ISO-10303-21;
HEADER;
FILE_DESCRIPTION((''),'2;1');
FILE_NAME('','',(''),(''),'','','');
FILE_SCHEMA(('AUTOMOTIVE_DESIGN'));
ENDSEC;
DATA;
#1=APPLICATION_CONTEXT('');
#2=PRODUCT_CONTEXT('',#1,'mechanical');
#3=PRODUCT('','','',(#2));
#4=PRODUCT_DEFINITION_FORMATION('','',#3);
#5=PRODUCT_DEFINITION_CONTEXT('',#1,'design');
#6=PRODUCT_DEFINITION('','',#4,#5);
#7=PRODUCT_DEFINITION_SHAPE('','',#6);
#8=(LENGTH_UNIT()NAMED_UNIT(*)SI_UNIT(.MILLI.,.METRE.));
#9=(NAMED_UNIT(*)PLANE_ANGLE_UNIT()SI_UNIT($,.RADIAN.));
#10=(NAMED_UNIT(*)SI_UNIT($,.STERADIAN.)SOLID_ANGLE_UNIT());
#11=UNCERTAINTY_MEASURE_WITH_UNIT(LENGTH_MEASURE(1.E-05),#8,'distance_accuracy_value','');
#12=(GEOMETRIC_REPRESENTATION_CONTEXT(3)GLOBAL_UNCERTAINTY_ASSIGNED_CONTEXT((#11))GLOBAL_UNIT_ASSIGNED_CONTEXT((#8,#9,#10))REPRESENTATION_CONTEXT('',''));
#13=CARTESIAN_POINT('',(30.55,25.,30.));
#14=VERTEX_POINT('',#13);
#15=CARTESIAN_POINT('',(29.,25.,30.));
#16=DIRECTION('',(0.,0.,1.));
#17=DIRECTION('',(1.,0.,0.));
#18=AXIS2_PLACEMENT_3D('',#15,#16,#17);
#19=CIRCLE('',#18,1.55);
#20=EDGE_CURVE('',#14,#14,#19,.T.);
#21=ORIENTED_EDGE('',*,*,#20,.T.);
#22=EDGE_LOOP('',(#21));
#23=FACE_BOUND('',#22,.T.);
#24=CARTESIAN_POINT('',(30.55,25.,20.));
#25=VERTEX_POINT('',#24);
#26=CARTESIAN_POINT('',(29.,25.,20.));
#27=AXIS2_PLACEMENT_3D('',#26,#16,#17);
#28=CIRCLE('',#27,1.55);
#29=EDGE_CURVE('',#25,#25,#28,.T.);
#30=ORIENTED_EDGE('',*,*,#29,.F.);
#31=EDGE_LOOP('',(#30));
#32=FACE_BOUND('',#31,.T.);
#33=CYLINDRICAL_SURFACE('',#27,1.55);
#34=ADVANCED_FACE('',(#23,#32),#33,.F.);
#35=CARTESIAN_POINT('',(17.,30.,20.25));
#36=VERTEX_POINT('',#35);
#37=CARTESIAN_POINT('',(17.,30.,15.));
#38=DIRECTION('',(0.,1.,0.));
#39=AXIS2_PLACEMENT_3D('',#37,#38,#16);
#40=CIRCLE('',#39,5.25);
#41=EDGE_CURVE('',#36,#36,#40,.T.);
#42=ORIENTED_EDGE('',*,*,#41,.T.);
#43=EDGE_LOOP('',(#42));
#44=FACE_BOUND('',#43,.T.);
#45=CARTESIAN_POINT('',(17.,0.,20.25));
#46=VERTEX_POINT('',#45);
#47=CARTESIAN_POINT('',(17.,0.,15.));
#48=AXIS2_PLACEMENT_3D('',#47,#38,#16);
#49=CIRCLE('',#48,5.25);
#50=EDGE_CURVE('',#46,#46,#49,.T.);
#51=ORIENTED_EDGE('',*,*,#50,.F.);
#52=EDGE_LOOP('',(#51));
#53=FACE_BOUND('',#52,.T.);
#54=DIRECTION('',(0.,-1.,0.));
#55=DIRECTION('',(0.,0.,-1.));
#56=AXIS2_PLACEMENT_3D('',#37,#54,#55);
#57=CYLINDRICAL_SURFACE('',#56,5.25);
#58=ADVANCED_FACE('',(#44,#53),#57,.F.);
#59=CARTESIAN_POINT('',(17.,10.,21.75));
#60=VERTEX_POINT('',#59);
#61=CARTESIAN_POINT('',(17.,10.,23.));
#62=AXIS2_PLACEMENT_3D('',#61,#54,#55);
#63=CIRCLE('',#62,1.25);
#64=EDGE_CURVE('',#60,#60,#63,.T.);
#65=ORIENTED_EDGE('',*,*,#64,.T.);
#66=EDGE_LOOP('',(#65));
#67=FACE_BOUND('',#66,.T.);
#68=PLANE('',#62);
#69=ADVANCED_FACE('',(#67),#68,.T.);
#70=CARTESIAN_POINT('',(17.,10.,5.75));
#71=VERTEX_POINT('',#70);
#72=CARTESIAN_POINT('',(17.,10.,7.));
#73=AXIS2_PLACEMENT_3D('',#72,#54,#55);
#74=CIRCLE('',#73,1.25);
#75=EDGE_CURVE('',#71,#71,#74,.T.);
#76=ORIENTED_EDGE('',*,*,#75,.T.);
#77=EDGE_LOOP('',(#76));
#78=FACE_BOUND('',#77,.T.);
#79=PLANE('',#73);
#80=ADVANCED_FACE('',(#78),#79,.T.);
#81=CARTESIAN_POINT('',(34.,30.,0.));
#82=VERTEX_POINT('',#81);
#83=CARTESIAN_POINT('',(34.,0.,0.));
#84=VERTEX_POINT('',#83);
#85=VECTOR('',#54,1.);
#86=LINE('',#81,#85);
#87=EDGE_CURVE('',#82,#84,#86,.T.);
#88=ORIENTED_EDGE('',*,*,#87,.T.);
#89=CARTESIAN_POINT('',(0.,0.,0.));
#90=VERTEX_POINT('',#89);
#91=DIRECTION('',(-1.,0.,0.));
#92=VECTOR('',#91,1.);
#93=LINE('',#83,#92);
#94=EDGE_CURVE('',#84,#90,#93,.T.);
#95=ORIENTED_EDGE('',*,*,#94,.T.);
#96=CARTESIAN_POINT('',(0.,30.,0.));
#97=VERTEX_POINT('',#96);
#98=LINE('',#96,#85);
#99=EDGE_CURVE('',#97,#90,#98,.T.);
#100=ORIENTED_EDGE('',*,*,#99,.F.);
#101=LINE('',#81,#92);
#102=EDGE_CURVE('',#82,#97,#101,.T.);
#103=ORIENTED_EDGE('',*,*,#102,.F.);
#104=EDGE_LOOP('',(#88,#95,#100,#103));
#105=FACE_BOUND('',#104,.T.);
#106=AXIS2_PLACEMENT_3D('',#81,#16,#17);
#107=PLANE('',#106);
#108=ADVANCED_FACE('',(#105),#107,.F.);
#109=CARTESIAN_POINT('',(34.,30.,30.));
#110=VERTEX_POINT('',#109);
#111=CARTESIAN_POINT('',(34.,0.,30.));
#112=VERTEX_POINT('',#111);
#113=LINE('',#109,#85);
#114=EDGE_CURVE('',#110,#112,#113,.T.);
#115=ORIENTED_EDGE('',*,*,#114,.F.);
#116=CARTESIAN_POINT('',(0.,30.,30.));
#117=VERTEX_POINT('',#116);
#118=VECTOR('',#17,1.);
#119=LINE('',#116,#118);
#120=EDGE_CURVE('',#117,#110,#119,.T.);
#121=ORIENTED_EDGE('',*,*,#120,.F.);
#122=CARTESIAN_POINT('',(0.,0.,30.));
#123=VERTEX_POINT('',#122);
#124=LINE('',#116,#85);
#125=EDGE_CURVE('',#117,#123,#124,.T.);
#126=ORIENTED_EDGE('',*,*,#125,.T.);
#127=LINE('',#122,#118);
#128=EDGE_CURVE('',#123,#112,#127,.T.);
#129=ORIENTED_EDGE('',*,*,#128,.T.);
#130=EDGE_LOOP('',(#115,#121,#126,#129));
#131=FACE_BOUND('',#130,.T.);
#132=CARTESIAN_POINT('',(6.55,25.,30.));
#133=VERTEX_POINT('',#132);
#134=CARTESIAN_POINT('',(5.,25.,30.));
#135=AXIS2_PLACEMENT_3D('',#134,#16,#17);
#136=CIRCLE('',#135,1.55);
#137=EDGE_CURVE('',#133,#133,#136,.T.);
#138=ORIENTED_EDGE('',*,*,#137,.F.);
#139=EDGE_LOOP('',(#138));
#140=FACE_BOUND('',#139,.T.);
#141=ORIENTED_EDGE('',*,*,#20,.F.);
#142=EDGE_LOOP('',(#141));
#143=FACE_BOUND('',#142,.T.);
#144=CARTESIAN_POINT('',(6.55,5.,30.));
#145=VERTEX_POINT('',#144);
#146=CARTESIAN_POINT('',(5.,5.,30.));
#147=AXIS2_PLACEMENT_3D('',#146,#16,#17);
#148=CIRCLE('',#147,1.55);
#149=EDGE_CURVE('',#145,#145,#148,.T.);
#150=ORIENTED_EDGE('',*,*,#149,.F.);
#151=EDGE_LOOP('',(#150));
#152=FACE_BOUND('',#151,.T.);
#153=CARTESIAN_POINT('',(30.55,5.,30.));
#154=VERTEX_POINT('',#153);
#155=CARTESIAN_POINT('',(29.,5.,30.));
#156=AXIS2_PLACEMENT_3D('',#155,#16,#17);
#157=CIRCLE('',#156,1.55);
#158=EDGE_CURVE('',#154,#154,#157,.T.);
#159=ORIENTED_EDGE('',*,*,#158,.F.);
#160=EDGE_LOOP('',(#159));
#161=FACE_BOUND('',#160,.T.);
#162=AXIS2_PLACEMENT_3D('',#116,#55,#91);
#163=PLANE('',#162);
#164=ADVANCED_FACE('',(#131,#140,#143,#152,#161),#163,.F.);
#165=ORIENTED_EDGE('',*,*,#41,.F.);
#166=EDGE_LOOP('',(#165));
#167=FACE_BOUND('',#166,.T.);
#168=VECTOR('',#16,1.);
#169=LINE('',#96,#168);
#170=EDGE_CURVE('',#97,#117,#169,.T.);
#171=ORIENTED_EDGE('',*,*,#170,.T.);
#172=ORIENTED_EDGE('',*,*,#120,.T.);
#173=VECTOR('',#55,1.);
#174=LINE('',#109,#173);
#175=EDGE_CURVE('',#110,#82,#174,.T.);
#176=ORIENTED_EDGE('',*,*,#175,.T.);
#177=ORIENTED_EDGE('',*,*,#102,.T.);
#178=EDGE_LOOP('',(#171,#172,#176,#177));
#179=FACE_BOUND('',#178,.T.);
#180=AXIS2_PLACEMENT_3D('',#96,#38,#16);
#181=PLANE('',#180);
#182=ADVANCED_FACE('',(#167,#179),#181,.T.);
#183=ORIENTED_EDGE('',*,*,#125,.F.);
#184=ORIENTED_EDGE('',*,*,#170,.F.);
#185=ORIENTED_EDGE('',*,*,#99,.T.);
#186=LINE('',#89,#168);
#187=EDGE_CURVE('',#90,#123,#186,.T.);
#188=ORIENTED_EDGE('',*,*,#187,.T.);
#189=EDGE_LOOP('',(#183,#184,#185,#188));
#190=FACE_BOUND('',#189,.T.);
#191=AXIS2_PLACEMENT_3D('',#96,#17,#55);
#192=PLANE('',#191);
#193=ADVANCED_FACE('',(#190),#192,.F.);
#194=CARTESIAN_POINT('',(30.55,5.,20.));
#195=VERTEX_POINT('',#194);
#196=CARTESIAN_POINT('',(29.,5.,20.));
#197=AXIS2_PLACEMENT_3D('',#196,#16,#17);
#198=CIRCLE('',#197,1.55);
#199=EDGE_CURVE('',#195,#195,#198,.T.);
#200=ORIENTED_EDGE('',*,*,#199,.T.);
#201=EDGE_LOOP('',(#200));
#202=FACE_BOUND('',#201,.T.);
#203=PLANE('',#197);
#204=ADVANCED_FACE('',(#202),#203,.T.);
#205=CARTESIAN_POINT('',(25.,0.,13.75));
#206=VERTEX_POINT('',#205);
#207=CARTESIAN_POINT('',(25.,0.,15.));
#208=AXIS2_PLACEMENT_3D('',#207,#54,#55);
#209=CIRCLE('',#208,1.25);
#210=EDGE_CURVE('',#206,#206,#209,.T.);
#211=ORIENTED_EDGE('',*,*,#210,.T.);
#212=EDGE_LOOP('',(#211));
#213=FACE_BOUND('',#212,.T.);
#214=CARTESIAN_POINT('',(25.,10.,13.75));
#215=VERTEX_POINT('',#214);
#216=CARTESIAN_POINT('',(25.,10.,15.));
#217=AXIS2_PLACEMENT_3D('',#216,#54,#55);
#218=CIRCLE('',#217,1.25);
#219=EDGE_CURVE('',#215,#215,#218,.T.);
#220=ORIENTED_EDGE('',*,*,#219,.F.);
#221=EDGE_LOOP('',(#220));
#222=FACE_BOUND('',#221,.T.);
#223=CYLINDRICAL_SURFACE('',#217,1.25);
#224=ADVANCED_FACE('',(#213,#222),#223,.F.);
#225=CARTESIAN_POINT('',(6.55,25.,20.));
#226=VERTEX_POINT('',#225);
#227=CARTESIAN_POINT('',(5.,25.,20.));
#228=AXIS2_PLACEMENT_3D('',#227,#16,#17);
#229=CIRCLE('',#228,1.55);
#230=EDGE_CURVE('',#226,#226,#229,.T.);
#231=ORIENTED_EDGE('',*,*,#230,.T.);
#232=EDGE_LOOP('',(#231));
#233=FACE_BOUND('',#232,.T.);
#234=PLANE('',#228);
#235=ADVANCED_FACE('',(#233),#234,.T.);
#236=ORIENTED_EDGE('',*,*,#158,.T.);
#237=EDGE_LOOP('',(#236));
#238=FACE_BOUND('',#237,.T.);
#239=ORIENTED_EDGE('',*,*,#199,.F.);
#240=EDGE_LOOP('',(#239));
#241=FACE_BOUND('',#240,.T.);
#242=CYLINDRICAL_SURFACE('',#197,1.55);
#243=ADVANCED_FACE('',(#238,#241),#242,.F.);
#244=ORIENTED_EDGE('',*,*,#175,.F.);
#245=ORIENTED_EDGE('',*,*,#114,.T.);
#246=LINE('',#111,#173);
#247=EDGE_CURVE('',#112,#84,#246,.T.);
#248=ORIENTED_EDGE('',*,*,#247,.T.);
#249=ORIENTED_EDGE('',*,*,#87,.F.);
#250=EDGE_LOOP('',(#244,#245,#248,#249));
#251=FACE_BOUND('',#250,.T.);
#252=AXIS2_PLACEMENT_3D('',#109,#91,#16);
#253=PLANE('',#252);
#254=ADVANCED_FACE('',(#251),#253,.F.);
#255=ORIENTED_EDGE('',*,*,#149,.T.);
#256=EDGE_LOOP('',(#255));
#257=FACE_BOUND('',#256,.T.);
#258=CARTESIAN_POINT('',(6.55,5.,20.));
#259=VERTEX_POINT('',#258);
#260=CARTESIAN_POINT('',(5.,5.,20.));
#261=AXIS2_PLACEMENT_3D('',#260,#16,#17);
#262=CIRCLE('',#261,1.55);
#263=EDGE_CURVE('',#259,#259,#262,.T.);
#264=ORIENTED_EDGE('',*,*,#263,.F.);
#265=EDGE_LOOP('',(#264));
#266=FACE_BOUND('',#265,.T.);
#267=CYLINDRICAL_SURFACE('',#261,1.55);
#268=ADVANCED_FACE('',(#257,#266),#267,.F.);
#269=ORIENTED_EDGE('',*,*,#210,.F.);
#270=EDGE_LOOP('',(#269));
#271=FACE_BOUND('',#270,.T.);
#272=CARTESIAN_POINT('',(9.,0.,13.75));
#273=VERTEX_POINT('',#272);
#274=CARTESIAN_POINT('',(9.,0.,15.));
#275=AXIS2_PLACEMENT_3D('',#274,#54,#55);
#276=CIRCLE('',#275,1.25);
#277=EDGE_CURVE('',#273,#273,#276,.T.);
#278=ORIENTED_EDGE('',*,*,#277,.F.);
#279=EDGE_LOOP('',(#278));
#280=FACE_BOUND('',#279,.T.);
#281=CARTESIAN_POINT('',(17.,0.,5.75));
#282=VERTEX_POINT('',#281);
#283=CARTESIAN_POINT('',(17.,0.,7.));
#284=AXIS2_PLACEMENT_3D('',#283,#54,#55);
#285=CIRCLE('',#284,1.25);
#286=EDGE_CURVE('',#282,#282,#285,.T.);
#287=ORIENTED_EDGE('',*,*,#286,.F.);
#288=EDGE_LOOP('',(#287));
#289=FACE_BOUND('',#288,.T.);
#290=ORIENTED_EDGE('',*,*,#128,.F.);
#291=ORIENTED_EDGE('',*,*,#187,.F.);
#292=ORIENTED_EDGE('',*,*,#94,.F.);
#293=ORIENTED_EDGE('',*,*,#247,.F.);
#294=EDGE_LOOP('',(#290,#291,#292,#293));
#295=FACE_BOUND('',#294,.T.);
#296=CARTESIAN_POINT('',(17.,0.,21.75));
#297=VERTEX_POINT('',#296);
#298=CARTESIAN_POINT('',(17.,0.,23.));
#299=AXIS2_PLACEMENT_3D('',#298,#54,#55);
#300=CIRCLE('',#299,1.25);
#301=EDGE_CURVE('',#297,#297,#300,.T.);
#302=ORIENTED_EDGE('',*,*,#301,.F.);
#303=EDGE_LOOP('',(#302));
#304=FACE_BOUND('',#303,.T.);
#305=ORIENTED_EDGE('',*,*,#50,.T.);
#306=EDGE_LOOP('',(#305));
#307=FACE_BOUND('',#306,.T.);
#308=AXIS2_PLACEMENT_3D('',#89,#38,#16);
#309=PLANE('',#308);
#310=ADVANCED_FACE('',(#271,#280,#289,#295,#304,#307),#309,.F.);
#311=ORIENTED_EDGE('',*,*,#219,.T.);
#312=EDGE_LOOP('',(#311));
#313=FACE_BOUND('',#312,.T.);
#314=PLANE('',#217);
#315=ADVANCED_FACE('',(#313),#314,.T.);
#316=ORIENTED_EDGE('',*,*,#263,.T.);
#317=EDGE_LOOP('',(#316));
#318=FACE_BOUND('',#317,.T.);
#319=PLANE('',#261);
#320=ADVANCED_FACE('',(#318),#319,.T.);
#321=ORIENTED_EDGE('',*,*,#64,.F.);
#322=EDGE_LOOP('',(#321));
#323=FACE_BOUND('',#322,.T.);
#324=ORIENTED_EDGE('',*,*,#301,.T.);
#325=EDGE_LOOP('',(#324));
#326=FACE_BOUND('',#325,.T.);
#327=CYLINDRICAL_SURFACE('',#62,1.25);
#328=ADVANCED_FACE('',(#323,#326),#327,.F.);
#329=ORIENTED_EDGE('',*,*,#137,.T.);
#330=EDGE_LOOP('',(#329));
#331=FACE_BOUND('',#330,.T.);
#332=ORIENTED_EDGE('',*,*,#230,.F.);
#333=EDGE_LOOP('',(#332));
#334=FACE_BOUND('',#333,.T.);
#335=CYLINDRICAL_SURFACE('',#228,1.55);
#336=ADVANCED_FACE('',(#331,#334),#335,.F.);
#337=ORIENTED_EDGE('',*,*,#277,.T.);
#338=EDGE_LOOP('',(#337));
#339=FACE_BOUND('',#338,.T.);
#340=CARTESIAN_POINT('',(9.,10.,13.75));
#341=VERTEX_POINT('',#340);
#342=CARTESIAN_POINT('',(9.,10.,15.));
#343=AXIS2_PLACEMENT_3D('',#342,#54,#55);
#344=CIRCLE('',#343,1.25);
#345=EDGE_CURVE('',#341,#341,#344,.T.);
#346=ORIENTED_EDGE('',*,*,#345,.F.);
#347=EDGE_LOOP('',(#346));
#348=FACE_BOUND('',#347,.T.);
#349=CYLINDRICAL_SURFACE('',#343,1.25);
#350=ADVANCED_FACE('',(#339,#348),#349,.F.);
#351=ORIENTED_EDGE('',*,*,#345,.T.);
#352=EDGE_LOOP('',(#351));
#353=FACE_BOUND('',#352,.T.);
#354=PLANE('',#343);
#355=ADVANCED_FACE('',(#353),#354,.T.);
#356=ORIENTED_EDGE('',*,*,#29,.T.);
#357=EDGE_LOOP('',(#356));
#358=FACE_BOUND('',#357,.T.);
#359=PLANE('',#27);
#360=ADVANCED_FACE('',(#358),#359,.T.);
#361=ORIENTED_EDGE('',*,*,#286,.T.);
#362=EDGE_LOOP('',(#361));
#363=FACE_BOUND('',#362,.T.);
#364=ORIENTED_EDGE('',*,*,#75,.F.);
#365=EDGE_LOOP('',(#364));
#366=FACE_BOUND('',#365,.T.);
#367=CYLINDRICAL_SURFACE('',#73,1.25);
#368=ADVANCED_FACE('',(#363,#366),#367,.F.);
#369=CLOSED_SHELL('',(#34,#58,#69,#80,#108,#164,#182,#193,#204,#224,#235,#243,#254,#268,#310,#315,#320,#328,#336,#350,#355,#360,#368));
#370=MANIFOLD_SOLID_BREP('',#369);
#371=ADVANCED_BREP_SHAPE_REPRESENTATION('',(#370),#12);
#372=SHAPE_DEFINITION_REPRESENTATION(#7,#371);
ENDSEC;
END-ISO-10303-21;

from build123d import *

# Parameters (mm, degrees)
SKETCH1_W           = 34
SKETCH1_H           = 30
SKETCH1_R           = 5.25
BOSS_EXTRUDE1_DEPTH = 30
SKETCH2_R           = 1.25
CUT_EXTRUDE1_DEPTH  = 10
SKETCH3_R           = 1.55
CUT_EXTRUDE2_DEPTH  = 10


with BuildPart() as part:
    # Sketch1 → Boss-Extrude1 (new body)
    with BuildSketch(Plane(origin=(0, 0, 0), x_dir=(1, 0, 0), z_dir=(0, 1, 0))):
        with Locations((17, -15)):
            Rectangle(SKETCH1_W, SKETCH1_H)
        with Locations(Location((17, -15, 0), (0, 0, 270))):
            Circle(SKETCH1_R, mode=Mode.SUBTRACT)
    extrude(amount=BOSS_EXTRUDE1_DEPTH)

    # Sketch2 → Cut-Extrude1 (cut)
    with BuildSketch(Plane.XZ):
        with Locations(Location((17, 23, 0), (0, 0, 270))):
            Circle(SKETCH2_R)
        with Locations(Location((25, 15, 0), (0, 0, 270))):
            Circle(SKETCH2_R)
        with Locations(Location((17, 7, 0), (0, 0, 270))):
            Circle(SKETCH2_R)
        with Locations(Location((9, 15, 0), (0, 0, 270))):
            Circle(SKETCH2_R)
    extrude(amount=-CUT_EXTRUDE1_DEPTH, mode=Mode.SUBTRACT)

    # Sketch3 → Cut-Extrude2 (cut)
    with BuildSketch(Plane.XY.offset(30)):
        with Locations((5, 25)):
            Circle(SKETCH3_R)
        with Locations((29, 25)):
            Circle(SKETCH3_R)
        with Locations((29, 5)):
            Circle(SKETCH3_R)
        with Locations((5, 5)):
            Circle(SKETCH3_R)
    extrude(amount=-CUT_EXTRUDE2_DEPTH, mode=Mode.SUBTRACT)


solid = part.part
